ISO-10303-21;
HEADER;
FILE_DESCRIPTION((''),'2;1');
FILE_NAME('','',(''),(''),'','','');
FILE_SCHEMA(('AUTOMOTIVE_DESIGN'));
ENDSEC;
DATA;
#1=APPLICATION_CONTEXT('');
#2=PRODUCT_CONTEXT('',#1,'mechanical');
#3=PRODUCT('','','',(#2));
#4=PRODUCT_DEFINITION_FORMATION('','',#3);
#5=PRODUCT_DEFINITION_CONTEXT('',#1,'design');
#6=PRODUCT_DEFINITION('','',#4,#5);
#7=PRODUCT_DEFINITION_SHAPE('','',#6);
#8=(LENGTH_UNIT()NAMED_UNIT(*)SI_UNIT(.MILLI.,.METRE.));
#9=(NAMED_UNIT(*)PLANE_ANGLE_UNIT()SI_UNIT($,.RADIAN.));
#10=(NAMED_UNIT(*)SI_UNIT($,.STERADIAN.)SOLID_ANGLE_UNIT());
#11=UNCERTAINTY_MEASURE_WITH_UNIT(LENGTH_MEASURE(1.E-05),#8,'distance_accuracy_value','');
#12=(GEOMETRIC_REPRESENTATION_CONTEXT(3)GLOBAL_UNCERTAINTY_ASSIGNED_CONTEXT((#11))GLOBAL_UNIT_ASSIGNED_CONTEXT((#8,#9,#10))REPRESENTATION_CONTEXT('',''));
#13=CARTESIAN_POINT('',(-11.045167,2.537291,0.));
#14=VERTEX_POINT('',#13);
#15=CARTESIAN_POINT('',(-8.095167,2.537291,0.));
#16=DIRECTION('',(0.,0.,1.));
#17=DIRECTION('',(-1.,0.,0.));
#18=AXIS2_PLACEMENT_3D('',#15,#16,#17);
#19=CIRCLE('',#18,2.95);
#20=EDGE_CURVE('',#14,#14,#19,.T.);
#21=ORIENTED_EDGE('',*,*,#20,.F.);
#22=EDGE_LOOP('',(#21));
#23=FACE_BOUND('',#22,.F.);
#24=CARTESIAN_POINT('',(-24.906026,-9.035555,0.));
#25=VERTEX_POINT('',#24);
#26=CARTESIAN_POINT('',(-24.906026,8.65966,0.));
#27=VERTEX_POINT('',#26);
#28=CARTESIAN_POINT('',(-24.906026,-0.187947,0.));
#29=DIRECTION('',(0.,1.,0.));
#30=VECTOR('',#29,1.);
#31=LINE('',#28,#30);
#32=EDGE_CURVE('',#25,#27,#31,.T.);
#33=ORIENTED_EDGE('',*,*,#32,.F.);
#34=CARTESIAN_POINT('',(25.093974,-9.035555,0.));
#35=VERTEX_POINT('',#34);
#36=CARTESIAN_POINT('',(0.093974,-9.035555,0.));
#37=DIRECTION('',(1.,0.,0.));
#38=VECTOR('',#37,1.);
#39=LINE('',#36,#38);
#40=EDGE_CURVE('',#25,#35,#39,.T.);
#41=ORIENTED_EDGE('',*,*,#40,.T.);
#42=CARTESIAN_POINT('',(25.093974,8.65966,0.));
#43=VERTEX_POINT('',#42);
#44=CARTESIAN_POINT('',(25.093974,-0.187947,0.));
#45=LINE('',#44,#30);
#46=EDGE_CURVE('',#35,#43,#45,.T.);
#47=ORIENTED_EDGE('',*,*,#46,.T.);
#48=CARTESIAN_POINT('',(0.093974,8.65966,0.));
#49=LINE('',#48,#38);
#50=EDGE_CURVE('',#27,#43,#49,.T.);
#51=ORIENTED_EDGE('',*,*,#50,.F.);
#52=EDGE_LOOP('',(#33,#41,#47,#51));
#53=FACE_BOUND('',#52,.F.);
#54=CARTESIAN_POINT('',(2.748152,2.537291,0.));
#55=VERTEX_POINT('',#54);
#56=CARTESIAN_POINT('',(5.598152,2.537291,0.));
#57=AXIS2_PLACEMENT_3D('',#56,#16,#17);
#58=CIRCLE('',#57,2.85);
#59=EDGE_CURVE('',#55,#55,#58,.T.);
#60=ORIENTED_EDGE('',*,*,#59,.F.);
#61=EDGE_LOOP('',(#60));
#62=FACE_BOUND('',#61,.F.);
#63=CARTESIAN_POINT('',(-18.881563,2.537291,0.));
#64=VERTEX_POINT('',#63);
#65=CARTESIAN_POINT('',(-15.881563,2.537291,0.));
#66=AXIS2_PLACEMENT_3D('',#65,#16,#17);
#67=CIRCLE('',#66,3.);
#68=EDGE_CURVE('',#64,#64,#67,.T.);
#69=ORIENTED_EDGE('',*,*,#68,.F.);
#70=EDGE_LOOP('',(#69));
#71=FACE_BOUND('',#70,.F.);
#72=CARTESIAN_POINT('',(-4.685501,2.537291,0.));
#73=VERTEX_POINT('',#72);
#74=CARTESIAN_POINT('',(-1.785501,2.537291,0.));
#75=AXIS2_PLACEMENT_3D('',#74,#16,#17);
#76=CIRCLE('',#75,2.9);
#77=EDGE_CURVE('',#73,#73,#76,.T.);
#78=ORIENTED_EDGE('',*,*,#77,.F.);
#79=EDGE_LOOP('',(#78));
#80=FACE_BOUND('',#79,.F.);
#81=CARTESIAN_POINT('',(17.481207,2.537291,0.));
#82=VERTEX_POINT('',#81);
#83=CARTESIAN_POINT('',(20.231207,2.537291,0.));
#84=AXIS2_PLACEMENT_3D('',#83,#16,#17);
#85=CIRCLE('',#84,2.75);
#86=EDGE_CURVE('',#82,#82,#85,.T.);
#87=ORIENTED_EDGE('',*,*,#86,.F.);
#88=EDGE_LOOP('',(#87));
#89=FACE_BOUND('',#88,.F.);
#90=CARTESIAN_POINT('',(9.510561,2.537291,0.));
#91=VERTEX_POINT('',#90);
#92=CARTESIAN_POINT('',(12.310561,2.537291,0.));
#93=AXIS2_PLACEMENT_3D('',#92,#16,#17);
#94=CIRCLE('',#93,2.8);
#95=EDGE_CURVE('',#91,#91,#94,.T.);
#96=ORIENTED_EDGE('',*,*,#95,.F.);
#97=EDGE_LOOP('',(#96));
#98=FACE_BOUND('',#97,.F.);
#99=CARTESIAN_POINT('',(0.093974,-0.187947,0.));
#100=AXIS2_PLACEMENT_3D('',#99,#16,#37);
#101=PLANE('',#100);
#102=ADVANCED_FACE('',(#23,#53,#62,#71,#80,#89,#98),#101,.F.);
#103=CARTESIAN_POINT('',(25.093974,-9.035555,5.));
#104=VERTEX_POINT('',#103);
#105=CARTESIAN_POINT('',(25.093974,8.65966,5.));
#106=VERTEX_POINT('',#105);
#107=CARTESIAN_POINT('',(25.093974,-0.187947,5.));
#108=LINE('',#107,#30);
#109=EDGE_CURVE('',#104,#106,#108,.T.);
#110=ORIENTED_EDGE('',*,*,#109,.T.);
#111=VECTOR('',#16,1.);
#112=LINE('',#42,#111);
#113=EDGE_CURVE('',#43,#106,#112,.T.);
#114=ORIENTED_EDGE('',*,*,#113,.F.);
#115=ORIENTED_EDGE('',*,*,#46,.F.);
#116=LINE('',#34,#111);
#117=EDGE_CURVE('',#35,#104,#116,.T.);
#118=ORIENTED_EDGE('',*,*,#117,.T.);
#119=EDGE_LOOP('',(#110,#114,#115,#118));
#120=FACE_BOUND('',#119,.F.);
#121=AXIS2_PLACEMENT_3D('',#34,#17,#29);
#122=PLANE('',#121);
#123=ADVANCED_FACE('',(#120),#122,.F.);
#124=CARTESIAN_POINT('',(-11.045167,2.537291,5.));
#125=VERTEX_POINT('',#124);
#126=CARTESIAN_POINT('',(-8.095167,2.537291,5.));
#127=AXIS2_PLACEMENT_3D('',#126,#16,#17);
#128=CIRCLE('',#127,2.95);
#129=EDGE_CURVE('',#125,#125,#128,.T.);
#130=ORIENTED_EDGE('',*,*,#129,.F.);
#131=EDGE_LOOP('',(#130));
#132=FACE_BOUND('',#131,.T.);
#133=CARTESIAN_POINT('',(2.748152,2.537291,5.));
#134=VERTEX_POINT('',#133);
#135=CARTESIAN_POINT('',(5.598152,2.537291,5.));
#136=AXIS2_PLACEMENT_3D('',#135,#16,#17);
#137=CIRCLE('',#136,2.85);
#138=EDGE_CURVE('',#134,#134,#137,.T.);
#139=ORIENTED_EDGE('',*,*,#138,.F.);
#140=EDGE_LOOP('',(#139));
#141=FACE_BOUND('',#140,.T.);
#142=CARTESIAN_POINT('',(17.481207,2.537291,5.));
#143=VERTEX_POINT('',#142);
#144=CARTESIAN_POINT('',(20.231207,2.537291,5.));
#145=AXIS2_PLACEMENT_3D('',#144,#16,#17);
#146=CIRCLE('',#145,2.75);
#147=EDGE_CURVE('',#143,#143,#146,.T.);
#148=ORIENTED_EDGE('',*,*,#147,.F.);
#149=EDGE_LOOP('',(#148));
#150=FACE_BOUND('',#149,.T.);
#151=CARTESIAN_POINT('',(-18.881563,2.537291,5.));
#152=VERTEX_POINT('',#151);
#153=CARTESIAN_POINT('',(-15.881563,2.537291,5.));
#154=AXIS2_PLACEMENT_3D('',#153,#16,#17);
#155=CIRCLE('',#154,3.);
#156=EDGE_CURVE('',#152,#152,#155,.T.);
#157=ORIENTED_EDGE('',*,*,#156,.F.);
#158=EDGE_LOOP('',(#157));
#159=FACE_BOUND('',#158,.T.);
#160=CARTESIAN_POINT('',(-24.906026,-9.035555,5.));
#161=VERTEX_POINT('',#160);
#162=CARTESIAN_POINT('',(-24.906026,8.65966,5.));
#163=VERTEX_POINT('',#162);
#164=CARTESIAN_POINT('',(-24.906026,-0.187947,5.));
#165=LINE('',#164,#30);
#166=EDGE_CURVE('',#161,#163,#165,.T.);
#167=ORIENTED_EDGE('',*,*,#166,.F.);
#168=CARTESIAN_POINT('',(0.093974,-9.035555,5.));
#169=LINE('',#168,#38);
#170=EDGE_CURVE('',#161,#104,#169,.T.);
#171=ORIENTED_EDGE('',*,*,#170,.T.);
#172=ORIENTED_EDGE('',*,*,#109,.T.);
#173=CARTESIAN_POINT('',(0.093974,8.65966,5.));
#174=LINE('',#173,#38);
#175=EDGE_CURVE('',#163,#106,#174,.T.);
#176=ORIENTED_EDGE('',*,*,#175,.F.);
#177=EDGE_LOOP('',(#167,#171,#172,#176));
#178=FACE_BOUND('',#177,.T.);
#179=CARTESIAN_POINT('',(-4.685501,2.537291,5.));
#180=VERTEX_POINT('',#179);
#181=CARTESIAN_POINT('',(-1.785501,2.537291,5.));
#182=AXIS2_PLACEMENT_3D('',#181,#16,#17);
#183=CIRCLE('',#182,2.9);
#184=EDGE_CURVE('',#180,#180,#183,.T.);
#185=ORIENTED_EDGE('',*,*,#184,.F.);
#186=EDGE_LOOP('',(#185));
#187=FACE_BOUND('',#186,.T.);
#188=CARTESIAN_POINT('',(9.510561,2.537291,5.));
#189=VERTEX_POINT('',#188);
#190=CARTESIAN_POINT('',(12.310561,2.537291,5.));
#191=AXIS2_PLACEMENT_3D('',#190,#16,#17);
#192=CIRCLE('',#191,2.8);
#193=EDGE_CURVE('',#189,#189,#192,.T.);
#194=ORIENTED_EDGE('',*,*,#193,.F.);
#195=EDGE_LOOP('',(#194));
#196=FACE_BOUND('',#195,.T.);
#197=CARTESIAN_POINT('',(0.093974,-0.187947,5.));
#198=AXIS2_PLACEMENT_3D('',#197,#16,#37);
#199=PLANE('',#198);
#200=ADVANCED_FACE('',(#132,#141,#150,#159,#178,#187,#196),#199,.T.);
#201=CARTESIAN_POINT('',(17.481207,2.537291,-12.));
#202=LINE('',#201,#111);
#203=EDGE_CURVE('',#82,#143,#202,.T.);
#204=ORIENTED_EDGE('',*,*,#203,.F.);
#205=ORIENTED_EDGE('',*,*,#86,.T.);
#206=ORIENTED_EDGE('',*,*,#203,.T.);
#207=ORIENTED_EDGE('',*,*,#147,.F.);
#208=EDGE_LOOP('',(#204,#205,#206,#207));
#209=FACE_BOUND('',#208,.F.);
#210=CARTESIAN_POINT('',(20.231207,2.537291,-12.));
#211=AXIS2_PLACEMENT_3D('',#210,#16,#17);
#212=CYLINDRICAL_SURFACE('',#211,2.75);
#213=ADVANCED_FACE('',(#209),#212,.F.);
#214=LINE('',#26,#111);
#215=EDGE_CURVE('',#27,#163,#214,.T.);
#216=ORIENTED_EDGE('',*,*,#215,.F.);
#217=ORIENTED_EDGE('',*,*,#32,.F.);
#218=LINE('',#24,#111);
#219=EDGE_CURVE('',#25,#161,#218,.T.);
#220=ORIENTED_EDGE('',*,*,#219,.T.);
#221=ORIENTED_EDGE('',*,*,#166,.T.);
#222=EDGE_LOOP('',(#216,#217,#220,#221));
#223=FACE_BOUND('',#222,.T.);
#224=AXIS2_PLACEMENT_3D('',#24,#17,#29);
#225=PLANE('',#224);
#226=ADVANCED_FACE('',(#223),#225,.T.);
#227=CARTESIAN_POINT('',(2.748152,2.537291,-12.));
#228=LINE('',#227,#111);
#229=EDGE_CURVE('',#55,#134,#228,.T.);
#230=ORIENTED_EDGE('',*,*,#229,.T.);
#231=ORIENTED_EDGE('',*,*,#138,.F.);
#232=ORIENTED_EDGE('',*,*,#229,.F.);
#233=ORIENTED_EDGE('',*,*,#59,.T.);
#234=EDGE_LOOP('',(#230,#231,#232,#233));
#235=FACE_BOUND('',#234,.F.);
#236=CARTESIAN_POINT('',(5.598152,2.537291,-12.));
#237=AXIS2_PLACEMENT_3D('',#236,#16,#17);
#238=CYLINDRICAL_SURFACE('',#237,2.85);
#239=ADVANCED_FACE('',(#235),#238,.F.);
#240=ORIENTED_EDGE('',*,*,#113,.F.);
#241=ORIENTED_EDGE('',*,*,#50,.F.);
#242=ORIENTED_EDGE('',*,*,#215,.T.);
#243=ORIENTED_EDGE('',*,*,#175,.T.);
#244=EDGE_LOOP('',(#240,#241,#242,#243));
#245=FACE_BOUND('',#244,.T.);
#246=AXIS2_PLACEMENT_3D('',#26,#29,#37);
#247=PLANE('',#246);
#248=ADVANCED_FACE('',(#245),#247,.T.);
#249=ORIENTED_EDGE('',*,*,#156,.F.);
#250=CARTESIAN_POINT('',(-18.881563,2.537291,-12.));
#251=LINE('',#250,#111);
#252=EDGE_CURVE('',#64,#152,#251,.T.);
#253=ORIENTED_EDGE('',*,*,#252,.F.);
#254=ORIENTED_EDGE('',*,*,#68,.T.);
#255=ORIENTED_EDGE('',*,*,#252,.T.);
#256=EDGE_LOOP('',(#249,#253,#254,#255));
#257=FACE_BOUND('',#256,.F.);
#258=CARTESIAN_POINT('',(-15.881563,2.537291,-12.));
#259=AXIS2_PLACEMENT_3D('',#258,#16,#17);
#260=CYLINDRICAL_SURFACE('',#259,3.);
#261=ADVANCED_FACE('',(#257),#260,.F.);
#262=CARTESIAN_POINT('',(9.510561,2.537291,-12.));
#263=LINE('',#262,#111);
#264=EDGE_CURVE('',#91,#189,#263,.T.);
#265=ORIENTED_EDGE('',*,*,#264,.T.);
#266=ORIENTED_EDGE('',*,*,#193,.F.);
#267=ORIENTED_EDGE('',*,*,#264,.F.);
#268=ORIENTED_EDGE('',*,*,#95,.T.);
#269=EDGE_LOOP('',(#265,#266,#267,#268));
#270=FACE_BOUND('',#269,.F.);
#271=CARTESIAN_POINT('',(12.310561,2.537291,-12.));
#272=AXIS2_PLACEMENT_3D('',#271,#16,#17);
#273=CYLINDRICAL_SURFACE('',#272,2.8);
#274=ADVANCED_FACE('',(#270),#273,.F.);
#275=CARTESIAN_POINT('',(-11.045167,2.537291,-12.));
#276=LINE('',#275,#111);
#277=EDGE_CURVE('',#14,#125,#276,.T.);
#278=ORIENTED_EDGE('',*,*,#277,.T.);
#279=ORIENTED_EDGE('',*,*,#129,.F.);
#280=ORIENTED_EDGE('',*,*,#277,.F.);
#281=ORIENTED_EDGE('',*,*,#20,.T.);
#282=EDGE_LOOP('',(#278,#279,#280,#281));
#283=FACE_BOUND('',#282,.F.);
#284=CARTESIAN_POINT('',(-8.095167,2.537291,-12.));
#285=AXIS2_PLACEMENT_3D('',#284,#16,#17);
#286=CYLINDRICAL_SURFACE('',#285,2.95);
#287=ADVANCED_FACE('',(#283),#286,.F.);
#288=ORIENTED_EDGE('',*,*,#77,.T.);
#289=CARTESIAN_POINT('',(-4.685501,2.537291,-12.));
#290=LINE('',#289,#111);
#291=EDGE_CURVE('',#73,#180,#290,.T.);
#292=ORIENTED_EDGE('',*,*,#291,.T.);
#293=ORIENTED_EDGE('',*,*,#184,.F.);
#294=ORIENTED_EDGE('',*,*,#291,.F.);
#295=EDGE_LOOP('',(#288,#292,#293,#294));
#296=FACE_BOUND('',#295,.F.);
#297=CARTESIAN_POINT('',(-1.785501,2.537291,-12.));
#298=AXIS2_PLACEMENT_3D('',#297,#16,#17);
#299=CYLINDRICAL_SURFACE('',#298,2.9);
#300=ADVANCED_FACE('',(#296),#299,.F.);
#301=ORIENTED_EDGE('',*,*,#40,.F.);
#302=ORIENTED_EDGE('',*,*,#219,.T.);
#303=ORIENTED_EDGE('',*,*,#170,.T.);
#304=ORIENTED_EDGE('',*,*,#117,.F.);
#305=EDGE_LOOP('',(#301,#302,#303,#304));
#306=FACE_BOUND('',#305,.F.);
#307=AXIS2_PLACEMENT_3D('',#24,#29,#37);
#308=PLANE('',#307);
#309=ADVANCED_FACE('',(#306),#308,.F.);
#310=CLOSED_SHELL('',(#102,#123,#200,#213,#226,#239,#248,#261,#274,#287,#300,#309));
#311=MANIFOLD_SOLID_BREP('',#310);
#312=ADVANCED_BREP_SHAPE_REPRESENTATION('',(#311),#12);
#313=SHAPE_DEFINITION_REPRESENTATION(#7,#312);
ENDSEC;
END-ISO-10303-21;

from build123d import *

# Parameters (mm, degrees)
F0_W     = 50
F0_H     = 17.6952143589
F1_DEPTH = 5
F2_D     = 6
F2_DEPTH = 12
F2_TIP   = 1.8025818571
F3_D     = 5.9
F3_DEPTH = 12
F3_TIP   = 1.7725388261
F4_D     = 5.8
F4_DEPTH = 12
F4_TIP   = 1.7424957952
F5_D     = 5.7
F5_DEPTH = 12
F5_TIP   = 1.7124527642
F6_D     = 5.6
F6_DEPTH = 12
F6_TIP   = 1.6824097333
F7_D     = 5.5
F7_DEPTH = 12
F7_TIP   = 1.6523667023


with BuildPart() as f1:
    # F0 (on Top) → F1 (new body)
    with BuildSketch(Plane.XY):
        with Locations((0.0939741731, -0.1879474148)):
            Rectangle(F0_W, F0_H)
    extrude(amount=F1_DEPTH)

    # F2
    with Locations(Plane(origin=(0, 0, 0), x_dir=(1, 0, 0), z_dir=(0, 0, -1))):
        with Locations((-15.8815626055, -2.5372912642)):
            Hole(F2_D / 2, depth=F2_DEPTH)
            with Locations((0, 0, -(F2_DEPTH + F2_TIP / 2))):  # 118° drill point
                Cone(0, F2_D / 2, F2_TIP, mode=Mode.SUBTRACT)

    # F3
    with Locations(Plane(origin=(0, 0, 0), x_dir=(1, 0, 0), z_dir=(0, 0, -1))):
        with Locations((-8.0951671781, -2.5372912642)):
            Hole(F3_D / 2, depth=F3_DEPTH)
            with Locations((0, 0, -(F3_DEPTH + F3_TIP / 2))):  # 118° drill point
                Cone(0, F3_D / 2, F3_TIP, mode=Mode.SUBTRACT)

    # F4
    with Locations(Plane(origin=(0, 0, 0), x_dir=(1, 0, 0), z_dir=(0, 0, -1))):
        with Locations((-1.7855006403, -2.5372912642)):
            Hole(F4_D / 2, depth=F4_DEPTH)
            with Locations((0, 0, -(F4_DEPTH + F4_TIP / 2))):  # 118° drill point
                Cone(0, F4_D / 2, F4_TIP, mode=Mode.SUBTRACT)

    # F5
    with Locations(Plane(origin=(0, 0, 0), x_dir=(1, 0, 0), z_dir=(0, 0, -1))):
        with Locations((5.5981517902, -2.5372912642)):
            Hole(F5_D / 2, depth=F5_DEPTH)
            with Locations((0, 0, -(F5_DEPTH + F5_TIP / 2))):  # 118° drill point
                Cone(0, F5_D / 2, F5_TIP, mode=Mode.SUBTRACT)

    # F6
    with Locations(Plane(origin=(0, 0, 0), x_dir=(1, 0, 0), z_dir=(0, 0, -1))):
        with Locations((12.3105607927, -2.5372912642)):
            Hole(F6_D / 2, depth=F6_DEPTH)
            with Locations((0, 0, -(F6_DEPTH + F6_TIP / 2))):  # 118° drill point
                Cone(0, F6_D / 2, F6_TIP, mode=Mode.SUBTRACT)

    # F7
    with Locations(Plane(origin=(0, 0, 0), x_dir=(1, 0, 0), z_dir=(0, 0, -1))):
        with Locations((20.2312065022, -2.5372912642)):
            Hole(F7_D / 2, depth=F7_DEPTH)
            with Locations((0, 0, -(F7_DEPTH + F7_TIP / 2))):  # 118° drill point
                Cone(0, F7_D / 2, F7_TIP, mode=Mode.SUBTRACT)


solid = f1.part
